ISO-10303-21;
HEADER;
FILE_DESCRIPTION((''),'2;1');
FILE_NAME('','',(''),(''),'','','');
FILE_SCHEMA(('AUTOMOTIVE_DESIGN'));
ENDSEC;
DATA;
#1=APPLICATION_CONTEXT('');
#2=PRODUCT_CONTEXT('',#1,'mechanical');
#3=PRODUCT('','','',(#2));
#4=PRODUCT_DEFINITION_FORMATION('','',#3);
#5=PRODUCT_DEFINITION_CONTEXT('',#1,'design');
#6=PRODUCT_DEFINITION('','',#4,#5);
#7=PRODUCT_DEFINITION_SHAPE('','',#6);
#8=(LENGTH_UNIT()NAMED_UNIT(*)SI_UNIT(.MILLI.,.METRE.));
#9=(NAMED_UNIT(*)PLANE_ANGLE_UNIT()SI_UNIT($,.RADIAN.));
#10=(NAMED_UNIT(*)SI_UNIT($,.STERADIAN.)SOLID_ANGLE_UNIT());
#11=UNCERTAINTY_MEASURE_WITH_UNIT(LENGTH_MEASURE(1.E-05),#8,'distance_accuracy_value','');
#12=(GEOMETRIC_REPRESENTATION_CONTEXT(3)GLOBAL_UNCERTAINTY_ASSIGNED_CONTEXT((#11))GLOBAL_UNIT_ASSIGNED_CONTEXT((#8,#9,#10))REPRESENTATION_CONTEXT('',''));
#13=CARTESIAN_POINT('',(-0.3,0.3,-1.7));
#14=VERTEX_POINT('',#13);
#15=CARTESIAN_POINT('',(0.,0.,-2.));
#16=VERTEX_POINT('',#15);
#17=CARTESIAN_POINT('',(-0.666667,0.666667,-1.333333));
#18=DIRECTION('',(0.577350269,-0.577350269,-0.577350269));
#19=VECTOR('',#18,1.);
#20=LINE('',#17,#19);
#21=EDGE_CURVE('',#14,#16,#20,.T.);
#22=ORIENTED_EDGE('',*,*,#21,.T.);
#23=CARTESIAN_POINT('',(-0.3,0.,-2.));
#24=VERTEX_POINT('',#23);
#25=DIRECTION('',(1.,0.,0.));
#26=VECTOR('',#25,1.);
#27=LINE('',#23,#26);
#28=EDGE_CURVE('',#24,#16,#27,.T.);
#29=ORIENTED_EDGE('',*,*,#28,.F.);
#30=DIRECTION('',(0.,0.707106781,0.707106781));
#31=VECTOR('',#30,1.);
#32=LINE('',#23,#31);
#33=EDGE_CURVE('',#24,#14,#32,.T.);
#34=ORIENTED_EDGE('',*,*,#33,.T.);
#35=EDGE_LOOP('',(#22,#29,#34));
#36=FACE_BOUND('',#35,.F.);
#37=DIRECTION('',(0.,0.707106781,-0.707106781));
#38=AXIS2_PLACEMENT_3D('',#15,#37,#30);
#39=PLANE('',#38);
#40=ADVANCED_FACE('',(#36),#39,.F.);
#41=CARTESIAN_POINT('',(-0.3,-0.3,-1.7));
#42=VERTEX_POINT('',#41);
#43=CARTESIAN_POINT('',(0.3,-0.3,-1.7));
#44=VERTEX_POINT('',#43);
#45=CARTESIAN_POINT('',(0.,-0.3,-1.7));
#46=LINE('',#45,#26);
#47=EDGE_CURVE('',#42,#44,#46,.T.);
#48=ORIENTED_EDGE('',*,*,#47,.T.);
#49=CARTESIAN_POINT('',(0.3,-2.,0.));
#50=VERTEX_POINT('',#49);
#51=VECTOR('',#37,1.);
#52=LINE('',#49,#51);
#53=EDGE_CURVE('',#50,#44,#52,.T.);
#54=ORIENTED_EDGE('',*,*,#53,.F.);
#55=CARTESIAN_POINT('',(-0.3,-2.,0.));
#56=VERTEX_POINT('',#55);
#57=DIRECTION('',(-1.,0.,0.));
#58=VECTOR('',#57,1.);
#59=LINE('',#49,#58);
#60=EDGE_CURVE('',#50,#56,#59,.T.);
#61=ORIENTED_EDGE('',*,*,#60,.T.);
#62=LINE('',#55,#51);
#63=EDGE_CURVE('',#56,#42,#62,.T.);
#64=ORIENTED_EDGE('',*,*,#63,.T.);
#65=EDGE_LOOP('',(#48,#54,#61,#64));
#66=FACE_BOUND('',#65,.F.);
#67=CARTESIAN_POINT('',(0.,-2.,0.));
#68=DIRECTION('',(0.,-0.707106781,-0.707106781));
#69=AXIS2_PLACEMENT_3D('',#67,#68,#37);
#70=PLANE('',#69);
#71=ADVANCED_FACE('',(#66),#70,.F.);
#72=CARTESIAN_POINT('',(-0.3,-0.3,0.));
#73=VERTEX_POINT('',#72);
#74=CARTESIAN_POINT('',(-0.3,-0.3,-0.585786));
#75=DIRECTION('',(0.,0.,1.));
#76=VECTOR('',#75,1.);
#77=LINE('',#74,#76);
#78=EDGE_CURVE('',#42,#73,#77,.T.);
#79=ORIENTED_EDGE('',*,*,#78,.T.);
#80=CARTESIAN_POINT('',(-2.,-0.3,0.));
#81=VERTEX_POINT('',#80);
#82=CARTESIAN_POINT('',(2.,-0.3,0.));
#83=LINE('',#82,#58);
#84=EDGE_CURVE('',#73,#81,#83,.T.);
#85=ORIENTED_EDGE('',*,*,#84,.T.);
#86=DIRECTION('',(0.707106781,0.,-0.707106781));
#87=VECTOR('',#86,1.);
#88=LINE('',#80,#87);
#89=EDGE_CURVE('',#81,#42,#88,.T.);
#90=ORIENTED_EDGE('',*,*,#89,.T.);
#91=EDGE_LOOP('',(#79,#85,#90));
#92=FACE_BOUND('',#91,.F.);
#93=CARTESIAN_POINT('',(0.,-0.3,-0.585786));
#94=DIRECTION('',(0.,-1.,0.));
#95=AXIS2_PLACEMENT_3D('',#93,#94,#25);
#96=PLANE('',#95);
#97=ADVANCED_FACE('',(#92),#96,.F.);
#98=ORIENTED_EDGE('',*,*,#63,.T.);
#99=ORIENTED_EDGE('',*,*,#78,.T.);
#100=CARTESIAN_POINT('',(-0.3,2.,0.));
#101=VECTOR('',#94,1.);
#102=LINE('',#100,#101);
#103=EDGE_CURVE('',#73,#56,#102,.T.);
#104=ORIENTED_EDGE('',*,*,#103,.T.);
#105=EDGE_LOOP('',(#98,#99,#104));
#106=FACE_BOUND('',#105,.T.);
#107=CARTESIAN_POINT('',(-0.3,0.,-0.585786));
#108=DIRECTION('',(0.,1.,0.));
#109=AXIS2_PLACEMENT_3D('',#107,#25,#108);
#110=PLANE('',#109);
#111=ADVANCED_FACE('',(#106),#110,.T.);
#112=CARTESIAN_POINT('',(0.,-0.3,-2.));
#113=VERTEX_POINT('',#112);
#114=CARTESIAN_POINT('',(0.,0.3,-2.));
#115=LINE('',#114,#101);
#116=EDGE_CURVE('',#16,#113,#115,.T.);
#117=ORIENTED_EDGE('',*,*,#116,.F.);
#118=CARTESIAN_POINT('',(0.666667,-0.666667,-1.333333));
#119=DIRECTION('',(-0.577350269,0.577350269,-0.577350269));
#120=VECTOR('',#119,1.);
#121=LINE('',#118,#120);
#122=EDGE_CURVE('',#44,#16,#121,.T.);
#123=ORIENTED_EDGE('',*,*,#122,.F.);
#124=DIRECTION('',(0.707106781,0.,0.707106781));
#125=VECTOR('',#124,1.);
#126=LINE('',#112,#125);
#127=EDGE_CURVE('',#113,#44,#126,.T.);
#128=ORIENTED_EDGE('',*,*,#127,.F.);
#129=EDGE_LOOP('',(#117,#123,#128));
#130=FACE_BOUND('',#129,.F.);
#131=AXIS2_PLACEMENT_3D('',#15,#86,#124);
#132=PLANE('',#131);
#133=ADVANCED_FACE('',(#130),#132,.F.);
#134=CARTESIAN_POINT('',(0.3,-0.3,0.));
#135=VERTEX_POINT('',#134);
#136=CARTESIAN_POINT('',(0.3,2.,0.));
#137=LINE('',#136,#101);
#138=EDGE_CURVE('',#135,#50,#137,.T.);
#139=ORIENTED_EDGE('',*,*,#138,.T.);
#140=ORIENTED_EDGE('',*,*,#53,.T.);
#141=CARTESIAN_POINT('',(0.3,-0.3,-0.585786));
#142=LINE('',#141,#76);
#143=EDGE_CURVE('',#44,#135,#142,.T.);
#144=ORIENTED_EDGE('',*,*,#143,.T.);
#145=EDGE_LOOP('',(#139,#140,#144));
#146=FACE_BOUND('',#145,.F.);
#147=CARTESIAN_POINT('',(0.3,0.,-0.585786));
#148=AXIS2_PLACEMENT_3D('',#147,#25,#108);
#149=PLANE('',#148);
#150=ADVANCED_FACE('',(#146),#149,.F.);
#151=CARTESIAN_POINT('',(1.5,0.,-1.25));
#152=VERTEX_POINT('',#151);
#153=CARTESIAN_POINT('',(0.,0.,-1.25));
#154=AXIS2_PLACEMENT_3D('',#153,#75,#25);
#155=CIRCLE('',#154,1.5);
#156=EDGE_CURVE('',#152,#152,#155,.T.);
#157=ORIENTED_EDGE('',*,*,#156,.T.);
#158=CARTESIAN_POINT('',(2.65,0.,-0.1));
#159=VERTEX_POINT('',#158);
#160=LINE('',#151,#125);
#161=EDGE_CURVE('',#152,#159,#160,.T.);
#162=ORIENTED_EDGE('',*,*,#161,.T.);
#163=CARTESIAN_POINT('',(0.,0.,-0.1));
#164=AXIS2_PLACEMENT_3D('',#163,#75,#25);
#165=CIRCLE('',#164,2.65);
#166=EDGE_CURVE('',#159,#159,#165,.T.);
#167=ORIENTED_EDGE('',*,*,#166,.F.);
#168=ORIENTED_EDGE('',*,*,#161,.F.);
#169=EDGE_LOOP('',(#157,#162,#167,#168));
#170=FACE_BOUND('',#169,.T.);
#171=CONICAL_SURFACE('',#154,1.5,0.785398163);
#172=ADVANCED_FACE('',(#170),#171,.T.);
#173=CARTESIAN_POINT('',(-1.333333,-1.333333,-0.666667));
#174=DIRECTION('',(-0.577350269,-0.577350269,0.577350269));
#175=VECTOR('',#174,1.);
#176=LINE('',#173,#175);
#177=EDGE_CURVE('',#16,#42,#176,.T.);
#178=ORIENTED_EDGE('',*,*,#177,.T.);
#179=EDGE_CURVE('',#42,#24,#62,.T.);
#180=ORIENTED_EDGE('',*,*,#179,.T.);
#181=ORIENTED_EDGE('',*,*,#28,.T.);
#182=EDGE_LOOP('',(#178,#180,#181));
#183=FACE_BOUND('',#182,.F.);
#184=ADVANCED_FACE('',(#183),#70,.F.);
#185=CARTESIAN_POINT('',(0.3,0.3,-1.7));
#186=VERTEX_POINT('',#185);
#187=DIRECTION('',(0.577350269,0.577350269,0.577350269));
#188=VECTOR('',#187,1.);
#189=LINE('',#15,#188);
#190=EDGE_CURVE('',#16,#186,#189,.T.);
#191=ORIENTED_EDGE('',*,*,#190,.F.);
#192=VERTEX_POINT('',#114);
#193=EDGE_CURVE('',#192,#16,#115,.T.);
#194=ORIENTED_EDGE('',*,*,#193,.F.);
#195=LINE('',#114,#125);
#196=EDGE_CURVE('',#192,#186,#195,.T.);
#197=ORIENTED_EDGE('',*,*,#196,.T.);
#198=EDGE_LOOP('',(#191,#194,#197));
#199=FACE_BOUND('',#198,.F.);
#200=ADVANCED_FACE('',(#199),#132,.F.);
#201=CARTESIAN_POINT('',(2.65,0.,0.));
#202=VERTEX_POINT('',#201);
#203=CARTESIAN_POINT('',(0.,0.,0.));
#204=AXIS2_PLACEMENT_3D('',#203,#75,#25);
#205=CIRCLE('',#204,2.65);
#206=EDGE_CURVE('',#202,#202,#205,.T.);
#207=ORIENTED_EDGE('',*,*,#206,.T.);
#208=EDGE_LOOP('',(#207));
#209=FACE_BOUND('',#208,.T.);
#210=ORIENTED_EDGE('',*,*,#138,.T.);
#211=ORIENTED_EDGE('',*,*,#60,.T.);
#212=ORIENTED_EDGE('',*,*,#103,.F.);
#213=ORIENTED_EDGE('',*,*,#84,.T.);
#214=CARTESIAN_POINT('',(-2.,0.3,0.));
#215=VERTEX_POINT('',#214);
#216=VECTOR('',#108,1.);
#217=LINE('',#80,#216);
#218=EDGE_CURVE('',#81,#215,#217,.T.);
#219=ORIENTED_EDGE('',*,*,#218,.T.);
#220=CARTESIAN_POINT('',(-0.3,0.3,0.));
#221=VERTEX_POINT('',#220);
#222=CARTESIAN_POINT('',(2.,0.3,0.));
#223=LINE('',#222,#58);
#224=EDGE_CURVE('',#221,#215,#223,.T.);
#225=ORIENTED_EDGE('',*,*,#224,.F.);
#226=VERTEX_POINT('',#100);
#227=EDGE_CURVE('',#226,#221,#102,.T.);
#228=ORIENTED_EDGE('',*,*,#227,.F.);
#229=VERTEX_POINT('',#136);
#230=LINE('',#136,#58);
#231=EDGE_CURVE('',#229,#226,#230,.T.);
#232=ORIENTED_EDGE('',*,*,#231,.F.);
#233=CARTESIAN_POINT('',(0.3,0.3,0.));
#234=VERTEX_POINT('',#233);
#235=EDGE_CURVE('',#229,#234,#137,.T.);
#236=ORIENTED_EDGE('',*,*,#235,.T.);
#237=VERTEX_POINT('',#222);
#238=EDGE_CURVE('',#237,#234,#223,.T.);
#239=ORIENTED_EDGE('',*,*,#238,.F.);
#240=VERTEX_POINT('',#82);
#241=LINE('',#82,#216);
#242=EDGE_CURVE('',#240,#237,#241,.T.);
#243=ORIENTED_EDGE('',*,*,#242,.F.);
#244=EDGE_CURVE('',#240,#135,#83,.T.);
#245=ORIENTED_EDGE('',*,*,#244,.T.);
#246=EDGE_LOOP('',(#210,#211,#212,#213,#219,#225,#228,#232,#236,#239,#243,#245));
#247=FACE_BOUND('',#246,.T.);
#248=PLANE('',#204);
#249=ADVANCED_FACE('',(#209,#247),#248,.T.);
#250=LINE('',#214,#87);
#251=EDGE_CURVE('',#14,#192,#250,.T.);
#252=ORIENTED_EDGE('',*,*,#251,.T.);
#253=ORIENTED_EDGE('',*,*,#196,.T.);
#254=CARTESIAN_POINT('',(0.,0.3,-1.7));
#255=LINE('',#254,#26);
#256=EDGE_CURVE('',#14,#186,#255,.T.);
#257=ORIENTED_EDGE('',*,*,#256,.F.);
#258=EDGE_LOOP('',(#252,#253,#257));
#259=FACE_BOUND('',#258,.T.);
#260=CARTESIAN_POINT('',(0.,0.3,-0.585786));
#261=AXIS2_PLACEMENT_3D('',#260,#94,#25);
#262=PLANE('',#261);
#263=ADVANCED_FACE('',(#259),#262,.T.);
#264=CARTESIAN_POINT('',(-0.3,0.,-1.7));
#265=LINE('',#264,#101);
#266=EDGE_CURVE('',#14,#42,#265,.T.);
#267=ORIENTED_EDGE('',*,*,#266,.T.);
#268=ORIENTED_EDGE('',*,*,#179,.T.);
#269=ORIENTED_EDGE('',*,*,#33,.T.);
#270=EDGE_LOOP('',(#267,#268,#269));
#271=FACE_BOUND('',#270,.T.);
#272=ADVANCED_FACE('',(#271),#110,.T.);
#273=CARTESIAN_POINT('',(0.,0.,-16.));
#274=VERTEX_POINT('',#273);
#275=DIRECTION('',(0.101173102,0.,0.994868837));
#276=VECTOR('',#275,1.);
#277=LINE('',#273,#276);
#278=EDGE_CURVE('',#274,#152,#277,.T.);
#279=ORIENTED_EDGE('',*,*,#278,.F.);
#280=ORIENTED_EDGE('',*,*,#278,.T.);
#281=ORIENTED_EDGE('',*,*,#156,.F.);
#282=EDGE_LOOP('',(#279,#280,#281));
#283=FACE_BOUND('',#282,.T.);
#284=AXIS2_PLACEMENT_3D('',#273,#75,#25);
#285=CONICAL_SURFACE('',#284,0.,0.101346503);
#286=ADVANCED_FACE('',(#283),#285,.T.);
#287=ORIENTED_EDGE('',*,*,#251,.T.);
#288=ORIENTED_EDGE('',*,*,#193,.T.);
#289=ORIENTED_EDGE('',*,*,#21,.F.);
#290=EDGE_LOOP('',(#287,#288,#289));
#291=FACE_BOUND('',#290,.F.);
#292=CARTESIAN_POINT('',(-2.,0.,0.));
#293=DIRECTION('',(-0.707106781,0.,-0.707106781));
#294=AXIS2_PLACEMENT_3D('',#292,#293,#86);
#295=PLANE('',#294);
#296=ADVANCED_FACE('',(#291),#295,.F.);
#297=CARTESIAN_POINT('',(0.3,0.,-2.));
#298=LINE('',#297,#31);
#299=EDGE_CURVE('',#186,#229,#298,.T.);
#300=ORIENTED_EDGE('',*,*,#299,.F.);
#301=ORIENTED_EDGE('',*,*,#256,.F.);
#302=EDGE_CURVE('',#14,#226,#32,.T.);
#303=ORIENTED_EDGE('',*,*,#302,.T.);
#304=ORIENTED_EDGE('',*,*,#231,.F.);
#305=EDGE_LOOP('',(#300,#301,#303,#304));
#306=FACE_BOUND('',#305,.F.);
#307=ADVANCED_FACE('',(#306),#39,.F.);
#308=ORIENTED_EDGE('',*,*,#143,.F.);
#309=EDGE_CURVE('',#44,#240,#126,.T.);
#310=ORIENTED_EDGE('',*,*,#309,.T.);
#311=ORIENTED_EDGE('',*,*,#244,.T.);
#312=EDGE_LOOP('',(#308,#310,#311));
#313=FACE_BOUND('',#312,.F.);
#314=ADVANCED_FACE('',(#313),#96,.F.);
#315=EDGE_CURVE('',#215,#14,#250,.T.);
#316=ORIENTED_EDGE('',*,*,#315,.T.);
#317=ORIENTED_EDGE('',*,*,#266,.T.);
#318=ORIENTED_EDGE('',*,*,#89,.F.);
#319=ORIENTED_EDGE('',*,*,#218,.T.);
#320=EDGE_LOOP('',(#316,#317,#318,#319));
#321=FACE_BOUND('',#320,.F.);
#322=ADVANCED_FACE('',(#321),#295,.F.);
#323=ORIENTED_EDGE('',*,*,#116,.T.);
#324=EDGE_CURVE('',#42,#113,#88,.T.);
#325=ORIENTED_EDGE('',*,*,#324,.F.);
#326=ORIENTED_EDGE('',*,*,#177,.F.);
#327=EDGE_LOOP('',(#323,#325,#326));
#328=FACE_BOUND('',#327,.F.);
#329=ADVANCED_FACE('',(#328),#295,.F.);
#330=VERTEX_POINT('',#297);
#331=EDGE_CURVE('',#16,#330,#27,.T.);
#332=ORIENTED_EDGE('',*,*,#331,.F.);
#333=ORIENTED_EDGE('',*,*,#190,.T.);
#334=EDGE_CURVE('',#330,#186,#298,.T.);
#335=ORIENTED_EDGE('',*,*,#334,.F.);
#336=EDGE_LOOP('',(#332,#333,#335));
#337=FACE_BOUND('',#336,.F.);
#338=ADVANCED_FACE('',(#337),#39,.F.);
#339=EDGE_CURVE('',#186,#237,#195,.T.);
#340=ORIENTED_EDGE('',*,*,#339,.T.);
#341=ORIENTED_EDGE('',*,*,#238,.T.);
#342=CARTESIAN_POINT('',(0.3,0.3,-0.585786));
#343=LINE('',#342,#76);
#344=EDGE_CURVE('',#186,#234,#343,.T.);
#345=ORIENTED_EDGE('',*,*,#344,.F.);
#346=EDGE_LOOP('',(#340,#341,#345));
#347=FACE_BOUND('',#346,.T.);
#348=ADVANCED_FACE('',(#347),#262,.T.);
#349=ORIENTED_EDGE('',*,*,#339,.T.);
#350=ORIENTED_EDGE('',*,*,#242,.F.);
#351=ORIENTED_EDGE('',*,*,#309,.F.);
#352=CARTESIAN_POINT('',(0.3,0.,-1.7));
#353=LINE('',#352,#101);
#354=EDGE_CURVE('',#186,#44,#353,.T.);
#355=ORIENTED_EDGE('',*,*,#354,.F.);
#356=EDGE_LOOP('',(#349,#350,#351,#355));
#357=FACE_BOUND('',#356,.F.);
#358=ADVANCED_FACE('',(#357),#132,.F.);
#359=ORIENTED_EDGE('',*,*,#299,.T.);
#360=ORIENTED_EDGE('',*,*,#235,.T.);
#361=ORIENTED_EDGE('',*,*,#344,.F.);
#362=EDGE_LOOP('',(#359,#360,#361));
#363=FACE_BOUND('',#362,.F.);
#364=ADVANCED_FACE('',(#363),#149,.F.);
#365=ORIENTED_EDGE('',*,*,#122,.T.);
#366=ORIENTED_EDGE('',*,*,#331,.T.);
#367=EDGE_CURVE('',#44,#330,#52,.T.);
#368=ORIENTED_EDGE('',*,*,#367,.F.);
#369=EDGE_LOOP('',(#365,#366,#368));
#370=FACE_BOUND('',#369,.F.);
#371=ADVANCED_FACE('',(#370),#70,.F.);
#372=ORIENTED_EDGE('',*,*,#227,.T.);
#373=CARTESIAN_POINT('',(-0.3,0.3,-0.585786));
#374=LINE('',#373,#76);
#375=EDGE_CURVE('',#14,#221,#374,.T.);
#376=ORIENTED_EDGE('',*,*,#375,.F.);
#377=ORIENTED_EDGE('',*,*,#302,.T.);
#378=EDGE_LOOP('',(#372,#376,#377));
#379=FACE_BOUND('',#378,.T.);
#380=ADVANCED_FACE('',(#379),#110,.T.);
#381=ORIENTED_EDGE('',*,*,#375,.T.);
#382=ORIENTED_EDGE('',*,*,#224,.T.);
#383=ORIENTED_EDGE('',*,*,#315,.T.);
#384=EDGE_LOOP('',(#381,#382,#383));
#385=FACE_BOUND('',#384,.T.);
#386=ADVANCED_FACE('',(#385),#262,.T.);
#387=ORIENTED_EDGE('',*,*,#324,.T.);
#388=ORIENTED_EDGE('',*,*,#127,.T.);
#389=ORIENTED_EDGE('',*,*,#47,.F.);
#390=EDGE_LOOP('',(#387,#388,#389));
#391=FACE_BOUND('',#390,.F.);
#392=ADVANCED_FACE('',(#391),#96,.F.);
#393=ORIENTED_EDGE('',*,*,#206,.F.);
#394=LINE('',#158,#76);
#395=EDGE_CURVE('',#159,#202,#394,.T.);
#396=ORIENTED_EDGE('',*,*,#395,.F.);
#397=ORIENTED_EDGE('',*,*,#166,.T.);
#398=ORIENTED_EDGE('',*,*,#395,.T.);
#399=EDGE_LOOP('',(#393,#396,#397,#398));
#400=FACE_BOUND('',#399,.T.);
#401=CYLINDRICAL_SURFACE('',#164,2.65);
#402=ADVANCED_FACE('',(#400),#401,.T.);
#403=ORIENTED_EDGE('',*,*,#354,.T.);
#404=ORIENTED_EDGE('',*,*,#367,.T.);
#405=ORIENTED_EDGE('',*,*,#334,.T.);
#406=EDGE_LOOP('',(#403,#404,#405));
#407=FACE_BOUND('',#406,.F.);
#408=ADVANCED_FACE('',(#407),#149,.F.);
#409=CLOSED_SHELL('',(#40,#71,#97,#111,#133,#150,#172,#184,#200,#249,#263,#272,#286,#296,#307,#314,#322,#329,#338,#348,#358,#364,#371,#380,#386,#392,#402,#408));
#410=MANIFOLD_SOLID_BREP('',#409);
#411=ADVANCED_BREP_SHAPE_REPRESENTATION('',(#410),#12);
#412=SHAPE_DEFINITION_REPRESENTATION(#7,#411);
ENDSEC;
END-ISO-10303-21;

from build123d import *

# Parameters (mm, degrees)
POCKET017_DEPTH    = 0.3
POLARPATTERN_COUNT = 2
POLARPATTERN_ANGLE = 90


with BuildPart() as part:
    # Sketch057 → Revolution010 (revolve)
    with BuildSketch(Plane.XZ):
        Polygon((0, 0), (0, -16), (1.5, -1.25), (2.65, -0.1), (2.65, 0), align=None)
    revolve(axis=Axis((0, 0, 0), (0, 0, 1)))

    # Sketch058 → Pocket017 (cut, symmetric)
    with BuildSketch(Plane.XZ):
        Polygon((-2, 0), (0, -2), (2, 0), align=None)
    pocket017 = extrude(amount=POCKET017_DEPTH, both=True, mode=Mode.SUBTRACT)

    # PolarPattern: Pocket017 ×2 about axis
    polarpattern_axis = Axis((0, 0, 0), (0, 0, 1))
    for i in range(1, POLARPATTERN_COUNT):
        add(pocket017.rotate(polarpattern_axis, i * POLARPATTERN_ANGLE / (POLARPATTERN_COUNT - 1)), mode=Mode.SUBTRACT)


solid = part.part
